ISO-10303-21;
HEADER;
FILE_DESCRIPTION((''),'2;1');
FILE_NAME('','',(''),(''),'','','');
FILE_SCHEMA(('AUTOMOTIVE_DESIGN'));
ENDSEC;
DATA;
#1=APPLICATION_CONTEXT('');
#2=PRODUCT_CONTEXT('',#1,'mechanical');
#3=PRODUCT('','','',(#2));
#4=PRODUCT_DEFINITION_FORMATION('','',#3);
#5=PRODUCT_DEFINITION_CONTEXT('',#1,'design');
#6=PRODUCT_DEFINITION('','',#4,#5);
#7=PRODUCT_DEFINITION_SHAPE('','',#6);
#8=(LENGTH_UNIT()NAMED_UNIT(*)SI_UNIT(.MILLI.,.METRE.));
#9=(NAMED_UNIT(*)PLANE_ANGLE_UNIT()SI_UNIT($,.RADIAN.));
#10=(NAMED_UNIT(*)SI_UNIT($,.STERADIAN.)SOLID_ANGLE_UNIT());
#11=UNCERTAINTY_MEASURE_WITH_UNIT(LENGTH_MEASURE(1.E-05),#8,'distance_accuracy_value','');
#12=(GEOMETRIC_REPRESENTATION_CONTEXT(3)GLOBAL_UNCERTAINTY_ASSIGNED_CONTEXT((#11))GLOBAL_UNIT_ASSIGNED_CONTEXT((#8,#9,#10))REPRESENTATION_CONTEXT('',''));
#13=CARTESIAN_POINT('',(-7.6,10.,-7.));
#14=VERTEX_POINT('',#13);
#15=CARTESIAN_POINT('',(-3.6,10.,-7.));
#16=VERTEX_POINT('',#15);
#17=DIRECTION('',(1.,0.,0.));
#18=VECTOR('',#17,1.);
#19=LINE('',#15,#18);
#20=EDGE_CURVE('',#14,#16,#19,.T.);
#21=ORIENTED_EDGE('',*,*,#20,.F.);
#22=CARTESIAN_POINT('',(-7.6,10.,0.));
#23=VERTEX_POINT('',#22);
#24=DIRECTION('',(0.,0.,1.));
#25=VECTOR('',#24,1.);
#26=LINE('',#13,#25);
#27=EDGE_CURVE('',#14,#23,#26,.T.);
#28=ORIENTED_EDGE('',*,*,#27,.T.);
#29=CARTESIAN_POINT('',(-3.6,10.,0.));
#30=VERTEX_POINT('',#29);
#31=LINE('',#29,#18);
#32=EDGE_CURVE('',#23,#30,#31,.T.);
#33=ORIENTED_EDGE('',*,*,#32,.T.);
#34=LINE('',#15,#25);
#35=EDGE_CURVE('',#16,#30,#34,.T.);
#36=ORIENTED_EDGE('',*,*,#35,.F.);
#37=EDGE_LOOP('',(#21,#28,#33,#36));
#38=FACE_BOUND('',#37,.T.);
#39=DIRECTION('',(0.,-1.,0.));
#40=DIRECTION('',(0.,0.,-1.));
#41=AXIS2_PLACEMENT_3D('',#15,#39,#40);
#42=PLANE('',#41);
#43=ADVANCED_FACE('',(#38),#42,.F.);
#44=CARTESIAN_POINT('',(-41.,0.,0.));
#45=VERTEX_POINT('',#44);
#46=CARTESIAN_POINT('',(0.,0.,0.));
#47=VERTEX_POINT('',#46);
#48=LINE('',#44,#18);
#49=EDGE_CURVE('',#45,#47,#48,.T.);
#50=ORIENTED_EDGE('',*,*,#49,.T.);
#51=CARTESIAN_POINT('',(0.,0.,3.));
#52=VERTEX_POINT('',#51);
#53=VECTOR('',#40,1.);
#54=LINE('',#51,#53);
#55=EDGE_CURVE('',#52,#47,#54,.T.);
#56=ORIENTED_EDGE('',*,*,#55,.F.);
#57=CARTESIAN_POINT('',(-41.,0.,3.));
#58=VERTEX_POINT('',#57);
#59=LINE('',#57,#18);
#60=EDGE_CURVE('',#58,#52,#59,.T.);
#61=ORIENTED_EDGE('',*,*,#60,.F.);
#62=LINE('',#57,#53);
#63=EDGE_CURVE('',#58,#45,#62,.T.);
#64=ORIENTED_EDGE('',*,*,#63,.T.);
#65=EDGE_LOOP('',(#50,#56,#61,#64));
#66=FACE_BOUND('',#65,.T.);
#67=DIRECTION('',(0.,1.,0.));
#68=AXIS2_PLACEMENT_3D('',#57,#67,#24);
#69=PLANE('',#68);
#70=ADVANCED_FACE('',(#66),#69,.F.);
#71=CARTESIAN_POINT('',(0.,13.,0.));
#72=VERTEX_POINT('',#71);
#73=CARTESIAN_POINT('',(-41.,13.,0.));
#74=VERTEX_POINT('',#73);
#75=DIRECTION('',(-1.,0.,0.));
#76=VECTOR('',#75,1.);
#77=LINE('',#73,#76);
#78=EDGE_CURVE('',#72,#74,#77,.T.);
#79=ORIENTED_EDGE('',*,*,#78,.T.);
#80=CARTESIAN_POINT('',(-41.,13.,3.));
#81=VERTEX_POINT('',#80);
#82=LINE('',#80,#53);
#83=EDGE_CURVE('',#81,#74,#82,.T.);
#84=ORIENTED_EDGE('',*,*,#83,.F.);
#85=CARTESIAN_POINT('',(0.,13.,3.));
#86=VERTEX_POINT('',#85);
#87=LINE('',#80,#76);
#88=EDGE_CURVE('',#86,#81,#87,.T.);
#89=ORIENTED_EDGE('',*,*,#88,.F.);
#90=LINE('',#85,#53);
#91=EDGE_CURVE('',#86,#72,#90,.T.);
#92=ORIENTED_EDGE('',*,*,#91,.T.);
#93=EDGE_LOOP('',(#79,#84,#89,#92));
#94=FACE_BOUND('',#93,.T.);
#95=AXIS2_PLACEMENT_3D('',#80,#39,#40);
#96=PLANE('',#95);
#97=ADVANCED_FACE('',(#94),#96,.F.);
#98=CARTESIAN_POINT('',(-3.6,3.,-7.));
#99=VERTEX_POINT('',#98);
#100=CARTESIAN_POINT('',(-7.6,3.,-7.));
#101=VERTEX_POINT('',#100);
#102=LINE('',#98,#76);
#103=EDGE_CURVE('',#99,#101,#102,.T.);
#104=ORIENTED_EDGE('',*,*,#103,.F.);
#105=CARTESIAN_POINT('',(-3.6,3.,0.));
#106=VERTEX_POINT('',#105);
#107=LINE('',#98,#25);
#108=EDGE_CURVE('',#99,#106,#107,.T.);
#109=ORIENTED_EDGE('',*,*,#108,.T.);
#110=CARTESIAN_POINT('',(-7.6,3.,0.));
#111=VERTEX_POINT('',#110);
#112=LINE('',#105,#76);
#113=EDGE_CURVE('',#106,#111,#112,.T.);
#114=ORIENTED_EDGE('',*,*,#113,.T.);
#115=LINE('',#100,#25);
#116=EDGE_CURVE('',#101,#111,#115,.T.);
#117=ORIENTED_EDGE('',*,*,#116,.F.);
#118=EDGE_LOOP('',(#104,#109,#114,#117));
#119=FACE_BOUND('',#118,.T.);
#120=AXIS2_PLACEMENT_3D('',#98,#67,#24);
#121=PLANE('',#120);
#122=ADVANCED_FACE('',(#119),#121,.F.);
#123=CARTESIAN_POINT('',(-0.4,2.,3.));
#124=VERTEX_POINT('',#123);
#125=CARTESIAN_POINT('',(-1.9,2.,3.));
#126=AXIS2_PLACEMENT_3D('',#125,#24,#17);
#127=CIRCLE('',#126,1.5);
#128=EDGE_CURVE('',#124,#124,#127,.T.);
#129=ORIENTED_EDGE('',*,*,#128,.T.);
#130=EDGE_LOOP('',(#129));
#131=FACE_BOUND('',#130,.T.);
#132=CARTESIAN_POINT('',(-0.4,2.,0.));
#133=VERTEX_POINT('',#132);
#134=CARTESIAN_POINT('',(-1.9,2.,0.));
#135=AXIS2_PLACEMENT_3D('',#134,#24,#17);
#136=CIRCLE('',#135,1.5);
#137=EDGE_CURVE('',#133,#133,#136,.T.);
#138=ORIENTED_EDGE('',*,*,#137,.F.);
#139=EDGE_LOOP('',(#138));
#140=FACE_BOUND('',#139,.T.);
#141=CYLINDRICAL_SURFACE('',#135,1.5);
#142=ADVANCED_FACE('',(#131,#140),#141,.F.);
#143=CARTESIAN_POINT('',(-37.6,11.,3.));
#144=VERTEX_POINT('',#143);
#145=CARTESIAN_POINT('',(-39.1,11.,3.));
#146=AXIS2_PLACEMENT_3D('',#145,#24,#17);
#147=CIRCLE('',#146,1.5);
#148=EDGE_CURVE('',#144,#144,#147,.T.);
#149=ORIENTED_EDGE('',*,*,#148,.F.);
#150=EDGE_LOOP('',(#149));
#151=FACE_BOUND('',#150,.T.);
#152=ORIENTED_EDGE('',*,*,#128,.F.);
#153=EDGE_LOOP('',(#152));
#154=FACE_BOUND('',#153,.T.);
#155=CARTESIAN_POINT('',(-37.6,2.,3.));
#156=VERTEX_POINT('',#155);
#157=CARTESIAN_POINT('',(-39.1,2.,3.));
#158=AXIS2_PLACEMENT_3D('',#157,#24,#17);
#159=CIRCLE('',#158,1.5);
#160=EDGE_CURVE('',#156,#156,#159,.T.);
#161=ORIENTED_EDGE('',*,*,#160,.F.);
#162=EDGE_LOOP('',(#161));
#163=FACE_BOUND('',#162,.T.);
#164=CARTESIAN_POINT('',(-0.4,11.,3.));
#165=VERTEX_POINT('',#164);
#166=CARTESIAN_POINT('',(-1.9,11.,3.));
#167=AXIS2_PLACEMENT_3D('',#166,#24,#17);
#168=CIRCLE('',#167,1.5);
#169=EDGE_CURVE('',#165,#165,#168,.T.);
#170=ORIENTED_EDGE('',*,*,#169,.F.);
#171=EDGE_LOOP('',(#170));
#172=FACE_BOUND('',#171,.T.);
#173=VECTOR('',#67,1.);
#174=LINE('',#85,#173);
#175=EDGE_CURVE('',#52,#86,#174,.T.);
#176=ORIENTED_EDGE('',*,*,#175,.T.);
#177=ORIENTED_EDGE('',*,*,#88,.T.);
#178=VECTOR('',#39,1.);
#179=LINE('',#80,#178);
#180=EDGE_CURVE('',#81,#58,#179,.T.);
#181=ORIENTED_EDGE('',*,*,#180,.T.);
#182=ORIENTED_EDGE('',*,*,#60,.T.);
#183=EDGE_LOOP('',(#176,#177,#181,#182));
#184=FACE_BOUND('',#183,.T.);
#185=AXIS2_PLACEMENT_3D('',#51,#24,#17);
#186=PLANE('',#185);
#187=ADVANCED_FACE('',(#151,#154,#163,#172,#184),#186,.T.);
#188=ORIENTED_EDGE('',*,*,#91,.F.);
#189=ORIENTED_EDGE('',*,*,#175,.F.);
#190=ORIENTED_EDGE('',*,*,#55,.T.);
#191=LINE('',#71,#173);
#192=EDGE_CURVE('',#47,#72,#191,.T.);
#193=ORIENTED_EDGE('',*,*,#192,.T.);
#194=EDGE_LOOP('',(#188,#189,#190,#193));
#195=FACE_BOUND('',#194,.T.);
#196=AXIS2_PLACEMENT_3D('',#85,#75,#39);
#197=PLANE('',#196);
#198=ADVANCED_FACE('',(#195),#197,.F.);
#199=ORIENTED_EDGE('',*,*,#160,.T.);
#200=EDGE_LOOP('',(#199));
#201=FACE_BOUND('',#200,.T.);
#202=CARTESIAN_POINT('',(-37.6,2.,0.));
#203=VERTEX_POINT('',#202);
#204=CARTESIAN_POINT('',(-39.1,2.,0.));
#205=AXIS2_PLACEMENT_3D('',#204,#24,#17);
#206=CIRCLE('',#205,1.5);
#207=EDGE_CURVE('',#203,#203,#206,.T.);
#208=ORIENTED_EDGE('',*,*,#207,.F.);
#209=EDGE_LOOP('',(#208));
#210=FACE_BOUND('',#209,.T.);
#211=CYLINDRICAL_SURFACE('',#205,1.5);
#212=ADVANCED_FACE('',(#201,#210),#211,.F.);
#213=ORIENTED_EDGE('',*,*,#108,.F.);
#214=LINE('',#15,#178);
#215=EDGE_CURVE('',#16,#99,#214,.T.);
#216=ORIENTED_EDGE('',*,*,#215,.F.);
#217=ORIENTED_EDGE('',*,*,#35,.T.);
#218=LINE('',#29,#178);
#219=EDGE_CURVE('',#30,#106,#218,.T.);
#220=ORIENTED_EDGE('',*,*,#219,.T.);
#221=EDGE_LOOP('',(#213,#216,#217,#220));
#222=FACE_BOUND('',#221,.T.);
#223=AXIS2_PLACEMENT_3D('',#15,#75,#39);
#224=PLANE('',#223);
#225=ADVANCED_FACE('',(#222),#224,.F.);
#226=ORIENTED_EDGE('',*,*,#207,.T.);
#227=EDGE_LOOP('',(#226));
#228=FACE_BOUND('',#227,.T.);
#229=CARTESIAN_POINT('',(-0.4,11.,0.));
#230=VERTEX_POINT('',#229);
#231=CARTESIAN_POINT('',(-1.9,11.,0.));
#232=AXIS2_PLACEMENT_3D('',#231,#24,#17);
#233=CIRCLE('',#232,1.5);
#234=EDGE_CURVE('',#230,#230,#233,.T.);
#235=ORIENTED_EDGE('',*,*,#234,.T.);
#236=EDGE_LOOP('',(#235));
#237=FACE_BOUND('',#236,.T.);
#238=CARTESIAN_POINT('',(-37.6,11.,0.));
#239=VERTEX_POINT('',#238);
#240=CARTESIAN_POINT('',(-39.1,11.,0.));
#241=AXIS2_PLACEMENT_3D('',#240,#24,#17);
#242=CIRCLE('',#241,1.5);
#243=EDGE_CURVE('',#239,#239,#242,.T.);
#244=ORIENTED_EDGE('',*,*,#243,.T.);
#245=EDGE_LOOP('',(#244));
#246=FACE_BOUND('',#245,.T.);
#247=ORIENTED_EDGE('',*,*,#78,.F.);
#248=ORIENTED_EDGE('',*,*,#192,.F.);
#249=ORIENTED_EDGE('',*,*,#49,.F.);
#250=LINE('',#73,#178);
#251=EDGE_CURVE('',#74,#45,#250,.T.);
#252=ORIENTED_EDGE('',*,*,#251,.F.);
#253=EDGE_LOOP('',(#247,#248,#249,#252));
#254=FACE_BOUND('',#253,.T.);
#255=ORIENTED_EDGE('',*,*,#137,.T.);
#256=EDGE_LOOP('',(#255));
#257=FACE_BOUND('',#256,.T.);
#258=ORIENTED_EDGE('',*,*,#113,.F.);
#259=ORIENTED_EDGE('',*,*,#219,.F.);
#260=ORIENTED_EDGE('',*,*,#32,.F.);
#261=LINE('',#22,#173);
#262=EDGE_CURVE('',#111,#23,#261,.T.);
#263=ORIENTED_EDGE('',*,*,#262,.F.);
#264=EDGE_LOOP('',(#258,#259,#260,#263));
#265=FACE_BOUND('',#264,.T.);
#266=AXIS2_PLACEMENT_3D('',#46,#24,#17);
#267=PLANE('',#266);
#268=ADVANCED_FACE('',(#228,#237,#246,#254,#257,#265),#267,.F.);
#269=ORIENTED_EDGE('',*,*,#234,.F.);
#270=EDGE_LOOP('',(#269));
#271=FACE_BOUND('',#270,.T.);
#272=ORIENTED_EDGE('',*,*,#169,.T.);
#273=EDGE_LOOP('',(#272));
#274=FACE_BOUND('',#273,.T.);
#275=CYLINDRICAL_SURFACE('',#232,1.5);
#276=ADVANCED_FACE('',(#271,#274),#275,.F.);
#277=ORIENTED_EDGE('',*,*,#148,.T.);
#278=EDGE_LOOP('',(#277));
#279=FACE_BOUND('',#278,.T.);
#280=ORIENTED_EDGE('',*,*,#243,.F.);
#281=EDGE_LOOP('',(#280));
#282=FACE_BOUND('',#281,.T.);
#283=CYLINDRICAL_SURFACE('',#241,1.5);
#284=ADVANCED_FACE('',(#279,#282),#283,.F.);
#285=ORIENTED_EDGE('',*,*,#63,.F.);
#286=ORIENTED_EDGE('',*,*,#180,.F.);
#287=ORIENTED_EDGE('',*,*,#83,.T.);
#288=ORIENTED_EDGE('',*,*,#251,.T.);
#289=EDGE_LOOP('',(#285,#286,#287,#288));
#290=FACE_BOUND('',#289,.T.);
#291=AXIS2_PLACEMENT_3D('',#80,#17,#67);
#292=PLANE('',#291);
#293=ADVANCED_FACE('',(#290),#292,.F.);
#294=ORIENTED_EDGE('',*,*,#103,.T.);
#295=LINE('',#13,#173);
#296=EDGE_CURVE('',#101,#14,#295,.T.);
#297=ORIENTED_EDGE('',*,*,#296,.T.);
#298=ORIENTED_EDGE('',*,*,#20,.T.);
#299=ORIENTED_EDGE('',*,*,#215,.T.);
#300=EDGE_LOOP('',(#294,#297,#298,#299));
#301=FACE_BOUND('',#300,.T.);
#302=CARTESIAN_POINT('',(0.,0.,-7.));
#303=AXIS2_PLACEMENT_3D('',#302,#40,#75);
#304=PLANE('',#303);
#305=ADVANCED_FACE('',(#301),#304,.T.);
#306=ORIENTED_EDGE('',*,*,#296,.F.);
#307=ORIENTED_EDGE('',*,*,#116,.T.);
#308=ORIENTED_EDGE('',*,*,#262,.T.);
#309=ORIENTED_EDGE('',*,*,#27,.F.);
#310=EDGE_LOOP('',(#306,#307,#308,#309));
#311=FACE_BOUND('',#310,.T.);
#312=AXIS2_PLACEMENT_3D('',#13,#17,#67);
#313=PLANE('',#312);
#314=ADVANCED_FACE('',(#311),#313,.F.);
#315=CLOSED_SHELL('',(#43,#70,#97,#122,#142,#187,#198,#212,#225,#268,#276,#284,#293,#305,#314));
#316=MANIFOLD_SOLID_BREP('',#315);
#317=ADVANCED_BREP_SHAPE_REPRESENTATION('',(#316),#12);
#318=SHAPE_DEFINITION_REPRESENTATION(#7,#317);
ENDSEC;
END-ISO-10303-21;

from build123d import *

# Parameters (mm, degrees)
CROQUIS1_W              = 41
CROQUIS1_H              = 13
SALIENTE_EXTRUIR1_DEPTH = 3
CROQUIS2_R              = 1.5
CORTAR_EXTRUIR1_DEPTH   = 44.116122275
CROQUIS3_W              = 4
CROQUIS3_H              = 7
SALIENTE_EXTRUIR2_DEPTH = 7


with BuildPart() as part:
    # Croquis1 → Saliente-Extruir1 (new body)
    with BuildSketch(Plane.XY):
        with Locations((-20.5, 6.5)):
            Rectangle(CROQUIS1_W, CROQUIS1_H)
    extrude(amount=SALIENTE_EXTRUIR1_DEPTH)

    # Croquis2 → Cortar-Extruir1 (cut, through all)
    with BuildSketch(Plane.XY.offset(3)):
        with Locations((-1.9, 11)):
            Circle(CROQUIS2_R)
        with Locations((-1.9, 2)):
            Circle(CROQUIS2_R)
        with Locations((-39.1, 11)):
            Circle(CROQUIS2_R)
        with Locations((-39.1, 2)):
            Circle(CROQUIS2_R)
    extrude(amount=-CORTAR_EXTRUIR1_DEPTH, mode=Mode.SUBTRACT)

    # Croquis3 → Saliente-Extruir2 (add)
    with BuildSketch(Plane(origin=(0, 0, 0), x_dir=(-1, 0, 0), z_dir=(0, 0, -1))):
        with Locations((5.6, 6.5)):
            Rectangle(CROQUIS3_W, CROQUIS3_H)
    extrude(amount=SALIENTE_EXTRUIR2_DEPTH)


solid = part.part
